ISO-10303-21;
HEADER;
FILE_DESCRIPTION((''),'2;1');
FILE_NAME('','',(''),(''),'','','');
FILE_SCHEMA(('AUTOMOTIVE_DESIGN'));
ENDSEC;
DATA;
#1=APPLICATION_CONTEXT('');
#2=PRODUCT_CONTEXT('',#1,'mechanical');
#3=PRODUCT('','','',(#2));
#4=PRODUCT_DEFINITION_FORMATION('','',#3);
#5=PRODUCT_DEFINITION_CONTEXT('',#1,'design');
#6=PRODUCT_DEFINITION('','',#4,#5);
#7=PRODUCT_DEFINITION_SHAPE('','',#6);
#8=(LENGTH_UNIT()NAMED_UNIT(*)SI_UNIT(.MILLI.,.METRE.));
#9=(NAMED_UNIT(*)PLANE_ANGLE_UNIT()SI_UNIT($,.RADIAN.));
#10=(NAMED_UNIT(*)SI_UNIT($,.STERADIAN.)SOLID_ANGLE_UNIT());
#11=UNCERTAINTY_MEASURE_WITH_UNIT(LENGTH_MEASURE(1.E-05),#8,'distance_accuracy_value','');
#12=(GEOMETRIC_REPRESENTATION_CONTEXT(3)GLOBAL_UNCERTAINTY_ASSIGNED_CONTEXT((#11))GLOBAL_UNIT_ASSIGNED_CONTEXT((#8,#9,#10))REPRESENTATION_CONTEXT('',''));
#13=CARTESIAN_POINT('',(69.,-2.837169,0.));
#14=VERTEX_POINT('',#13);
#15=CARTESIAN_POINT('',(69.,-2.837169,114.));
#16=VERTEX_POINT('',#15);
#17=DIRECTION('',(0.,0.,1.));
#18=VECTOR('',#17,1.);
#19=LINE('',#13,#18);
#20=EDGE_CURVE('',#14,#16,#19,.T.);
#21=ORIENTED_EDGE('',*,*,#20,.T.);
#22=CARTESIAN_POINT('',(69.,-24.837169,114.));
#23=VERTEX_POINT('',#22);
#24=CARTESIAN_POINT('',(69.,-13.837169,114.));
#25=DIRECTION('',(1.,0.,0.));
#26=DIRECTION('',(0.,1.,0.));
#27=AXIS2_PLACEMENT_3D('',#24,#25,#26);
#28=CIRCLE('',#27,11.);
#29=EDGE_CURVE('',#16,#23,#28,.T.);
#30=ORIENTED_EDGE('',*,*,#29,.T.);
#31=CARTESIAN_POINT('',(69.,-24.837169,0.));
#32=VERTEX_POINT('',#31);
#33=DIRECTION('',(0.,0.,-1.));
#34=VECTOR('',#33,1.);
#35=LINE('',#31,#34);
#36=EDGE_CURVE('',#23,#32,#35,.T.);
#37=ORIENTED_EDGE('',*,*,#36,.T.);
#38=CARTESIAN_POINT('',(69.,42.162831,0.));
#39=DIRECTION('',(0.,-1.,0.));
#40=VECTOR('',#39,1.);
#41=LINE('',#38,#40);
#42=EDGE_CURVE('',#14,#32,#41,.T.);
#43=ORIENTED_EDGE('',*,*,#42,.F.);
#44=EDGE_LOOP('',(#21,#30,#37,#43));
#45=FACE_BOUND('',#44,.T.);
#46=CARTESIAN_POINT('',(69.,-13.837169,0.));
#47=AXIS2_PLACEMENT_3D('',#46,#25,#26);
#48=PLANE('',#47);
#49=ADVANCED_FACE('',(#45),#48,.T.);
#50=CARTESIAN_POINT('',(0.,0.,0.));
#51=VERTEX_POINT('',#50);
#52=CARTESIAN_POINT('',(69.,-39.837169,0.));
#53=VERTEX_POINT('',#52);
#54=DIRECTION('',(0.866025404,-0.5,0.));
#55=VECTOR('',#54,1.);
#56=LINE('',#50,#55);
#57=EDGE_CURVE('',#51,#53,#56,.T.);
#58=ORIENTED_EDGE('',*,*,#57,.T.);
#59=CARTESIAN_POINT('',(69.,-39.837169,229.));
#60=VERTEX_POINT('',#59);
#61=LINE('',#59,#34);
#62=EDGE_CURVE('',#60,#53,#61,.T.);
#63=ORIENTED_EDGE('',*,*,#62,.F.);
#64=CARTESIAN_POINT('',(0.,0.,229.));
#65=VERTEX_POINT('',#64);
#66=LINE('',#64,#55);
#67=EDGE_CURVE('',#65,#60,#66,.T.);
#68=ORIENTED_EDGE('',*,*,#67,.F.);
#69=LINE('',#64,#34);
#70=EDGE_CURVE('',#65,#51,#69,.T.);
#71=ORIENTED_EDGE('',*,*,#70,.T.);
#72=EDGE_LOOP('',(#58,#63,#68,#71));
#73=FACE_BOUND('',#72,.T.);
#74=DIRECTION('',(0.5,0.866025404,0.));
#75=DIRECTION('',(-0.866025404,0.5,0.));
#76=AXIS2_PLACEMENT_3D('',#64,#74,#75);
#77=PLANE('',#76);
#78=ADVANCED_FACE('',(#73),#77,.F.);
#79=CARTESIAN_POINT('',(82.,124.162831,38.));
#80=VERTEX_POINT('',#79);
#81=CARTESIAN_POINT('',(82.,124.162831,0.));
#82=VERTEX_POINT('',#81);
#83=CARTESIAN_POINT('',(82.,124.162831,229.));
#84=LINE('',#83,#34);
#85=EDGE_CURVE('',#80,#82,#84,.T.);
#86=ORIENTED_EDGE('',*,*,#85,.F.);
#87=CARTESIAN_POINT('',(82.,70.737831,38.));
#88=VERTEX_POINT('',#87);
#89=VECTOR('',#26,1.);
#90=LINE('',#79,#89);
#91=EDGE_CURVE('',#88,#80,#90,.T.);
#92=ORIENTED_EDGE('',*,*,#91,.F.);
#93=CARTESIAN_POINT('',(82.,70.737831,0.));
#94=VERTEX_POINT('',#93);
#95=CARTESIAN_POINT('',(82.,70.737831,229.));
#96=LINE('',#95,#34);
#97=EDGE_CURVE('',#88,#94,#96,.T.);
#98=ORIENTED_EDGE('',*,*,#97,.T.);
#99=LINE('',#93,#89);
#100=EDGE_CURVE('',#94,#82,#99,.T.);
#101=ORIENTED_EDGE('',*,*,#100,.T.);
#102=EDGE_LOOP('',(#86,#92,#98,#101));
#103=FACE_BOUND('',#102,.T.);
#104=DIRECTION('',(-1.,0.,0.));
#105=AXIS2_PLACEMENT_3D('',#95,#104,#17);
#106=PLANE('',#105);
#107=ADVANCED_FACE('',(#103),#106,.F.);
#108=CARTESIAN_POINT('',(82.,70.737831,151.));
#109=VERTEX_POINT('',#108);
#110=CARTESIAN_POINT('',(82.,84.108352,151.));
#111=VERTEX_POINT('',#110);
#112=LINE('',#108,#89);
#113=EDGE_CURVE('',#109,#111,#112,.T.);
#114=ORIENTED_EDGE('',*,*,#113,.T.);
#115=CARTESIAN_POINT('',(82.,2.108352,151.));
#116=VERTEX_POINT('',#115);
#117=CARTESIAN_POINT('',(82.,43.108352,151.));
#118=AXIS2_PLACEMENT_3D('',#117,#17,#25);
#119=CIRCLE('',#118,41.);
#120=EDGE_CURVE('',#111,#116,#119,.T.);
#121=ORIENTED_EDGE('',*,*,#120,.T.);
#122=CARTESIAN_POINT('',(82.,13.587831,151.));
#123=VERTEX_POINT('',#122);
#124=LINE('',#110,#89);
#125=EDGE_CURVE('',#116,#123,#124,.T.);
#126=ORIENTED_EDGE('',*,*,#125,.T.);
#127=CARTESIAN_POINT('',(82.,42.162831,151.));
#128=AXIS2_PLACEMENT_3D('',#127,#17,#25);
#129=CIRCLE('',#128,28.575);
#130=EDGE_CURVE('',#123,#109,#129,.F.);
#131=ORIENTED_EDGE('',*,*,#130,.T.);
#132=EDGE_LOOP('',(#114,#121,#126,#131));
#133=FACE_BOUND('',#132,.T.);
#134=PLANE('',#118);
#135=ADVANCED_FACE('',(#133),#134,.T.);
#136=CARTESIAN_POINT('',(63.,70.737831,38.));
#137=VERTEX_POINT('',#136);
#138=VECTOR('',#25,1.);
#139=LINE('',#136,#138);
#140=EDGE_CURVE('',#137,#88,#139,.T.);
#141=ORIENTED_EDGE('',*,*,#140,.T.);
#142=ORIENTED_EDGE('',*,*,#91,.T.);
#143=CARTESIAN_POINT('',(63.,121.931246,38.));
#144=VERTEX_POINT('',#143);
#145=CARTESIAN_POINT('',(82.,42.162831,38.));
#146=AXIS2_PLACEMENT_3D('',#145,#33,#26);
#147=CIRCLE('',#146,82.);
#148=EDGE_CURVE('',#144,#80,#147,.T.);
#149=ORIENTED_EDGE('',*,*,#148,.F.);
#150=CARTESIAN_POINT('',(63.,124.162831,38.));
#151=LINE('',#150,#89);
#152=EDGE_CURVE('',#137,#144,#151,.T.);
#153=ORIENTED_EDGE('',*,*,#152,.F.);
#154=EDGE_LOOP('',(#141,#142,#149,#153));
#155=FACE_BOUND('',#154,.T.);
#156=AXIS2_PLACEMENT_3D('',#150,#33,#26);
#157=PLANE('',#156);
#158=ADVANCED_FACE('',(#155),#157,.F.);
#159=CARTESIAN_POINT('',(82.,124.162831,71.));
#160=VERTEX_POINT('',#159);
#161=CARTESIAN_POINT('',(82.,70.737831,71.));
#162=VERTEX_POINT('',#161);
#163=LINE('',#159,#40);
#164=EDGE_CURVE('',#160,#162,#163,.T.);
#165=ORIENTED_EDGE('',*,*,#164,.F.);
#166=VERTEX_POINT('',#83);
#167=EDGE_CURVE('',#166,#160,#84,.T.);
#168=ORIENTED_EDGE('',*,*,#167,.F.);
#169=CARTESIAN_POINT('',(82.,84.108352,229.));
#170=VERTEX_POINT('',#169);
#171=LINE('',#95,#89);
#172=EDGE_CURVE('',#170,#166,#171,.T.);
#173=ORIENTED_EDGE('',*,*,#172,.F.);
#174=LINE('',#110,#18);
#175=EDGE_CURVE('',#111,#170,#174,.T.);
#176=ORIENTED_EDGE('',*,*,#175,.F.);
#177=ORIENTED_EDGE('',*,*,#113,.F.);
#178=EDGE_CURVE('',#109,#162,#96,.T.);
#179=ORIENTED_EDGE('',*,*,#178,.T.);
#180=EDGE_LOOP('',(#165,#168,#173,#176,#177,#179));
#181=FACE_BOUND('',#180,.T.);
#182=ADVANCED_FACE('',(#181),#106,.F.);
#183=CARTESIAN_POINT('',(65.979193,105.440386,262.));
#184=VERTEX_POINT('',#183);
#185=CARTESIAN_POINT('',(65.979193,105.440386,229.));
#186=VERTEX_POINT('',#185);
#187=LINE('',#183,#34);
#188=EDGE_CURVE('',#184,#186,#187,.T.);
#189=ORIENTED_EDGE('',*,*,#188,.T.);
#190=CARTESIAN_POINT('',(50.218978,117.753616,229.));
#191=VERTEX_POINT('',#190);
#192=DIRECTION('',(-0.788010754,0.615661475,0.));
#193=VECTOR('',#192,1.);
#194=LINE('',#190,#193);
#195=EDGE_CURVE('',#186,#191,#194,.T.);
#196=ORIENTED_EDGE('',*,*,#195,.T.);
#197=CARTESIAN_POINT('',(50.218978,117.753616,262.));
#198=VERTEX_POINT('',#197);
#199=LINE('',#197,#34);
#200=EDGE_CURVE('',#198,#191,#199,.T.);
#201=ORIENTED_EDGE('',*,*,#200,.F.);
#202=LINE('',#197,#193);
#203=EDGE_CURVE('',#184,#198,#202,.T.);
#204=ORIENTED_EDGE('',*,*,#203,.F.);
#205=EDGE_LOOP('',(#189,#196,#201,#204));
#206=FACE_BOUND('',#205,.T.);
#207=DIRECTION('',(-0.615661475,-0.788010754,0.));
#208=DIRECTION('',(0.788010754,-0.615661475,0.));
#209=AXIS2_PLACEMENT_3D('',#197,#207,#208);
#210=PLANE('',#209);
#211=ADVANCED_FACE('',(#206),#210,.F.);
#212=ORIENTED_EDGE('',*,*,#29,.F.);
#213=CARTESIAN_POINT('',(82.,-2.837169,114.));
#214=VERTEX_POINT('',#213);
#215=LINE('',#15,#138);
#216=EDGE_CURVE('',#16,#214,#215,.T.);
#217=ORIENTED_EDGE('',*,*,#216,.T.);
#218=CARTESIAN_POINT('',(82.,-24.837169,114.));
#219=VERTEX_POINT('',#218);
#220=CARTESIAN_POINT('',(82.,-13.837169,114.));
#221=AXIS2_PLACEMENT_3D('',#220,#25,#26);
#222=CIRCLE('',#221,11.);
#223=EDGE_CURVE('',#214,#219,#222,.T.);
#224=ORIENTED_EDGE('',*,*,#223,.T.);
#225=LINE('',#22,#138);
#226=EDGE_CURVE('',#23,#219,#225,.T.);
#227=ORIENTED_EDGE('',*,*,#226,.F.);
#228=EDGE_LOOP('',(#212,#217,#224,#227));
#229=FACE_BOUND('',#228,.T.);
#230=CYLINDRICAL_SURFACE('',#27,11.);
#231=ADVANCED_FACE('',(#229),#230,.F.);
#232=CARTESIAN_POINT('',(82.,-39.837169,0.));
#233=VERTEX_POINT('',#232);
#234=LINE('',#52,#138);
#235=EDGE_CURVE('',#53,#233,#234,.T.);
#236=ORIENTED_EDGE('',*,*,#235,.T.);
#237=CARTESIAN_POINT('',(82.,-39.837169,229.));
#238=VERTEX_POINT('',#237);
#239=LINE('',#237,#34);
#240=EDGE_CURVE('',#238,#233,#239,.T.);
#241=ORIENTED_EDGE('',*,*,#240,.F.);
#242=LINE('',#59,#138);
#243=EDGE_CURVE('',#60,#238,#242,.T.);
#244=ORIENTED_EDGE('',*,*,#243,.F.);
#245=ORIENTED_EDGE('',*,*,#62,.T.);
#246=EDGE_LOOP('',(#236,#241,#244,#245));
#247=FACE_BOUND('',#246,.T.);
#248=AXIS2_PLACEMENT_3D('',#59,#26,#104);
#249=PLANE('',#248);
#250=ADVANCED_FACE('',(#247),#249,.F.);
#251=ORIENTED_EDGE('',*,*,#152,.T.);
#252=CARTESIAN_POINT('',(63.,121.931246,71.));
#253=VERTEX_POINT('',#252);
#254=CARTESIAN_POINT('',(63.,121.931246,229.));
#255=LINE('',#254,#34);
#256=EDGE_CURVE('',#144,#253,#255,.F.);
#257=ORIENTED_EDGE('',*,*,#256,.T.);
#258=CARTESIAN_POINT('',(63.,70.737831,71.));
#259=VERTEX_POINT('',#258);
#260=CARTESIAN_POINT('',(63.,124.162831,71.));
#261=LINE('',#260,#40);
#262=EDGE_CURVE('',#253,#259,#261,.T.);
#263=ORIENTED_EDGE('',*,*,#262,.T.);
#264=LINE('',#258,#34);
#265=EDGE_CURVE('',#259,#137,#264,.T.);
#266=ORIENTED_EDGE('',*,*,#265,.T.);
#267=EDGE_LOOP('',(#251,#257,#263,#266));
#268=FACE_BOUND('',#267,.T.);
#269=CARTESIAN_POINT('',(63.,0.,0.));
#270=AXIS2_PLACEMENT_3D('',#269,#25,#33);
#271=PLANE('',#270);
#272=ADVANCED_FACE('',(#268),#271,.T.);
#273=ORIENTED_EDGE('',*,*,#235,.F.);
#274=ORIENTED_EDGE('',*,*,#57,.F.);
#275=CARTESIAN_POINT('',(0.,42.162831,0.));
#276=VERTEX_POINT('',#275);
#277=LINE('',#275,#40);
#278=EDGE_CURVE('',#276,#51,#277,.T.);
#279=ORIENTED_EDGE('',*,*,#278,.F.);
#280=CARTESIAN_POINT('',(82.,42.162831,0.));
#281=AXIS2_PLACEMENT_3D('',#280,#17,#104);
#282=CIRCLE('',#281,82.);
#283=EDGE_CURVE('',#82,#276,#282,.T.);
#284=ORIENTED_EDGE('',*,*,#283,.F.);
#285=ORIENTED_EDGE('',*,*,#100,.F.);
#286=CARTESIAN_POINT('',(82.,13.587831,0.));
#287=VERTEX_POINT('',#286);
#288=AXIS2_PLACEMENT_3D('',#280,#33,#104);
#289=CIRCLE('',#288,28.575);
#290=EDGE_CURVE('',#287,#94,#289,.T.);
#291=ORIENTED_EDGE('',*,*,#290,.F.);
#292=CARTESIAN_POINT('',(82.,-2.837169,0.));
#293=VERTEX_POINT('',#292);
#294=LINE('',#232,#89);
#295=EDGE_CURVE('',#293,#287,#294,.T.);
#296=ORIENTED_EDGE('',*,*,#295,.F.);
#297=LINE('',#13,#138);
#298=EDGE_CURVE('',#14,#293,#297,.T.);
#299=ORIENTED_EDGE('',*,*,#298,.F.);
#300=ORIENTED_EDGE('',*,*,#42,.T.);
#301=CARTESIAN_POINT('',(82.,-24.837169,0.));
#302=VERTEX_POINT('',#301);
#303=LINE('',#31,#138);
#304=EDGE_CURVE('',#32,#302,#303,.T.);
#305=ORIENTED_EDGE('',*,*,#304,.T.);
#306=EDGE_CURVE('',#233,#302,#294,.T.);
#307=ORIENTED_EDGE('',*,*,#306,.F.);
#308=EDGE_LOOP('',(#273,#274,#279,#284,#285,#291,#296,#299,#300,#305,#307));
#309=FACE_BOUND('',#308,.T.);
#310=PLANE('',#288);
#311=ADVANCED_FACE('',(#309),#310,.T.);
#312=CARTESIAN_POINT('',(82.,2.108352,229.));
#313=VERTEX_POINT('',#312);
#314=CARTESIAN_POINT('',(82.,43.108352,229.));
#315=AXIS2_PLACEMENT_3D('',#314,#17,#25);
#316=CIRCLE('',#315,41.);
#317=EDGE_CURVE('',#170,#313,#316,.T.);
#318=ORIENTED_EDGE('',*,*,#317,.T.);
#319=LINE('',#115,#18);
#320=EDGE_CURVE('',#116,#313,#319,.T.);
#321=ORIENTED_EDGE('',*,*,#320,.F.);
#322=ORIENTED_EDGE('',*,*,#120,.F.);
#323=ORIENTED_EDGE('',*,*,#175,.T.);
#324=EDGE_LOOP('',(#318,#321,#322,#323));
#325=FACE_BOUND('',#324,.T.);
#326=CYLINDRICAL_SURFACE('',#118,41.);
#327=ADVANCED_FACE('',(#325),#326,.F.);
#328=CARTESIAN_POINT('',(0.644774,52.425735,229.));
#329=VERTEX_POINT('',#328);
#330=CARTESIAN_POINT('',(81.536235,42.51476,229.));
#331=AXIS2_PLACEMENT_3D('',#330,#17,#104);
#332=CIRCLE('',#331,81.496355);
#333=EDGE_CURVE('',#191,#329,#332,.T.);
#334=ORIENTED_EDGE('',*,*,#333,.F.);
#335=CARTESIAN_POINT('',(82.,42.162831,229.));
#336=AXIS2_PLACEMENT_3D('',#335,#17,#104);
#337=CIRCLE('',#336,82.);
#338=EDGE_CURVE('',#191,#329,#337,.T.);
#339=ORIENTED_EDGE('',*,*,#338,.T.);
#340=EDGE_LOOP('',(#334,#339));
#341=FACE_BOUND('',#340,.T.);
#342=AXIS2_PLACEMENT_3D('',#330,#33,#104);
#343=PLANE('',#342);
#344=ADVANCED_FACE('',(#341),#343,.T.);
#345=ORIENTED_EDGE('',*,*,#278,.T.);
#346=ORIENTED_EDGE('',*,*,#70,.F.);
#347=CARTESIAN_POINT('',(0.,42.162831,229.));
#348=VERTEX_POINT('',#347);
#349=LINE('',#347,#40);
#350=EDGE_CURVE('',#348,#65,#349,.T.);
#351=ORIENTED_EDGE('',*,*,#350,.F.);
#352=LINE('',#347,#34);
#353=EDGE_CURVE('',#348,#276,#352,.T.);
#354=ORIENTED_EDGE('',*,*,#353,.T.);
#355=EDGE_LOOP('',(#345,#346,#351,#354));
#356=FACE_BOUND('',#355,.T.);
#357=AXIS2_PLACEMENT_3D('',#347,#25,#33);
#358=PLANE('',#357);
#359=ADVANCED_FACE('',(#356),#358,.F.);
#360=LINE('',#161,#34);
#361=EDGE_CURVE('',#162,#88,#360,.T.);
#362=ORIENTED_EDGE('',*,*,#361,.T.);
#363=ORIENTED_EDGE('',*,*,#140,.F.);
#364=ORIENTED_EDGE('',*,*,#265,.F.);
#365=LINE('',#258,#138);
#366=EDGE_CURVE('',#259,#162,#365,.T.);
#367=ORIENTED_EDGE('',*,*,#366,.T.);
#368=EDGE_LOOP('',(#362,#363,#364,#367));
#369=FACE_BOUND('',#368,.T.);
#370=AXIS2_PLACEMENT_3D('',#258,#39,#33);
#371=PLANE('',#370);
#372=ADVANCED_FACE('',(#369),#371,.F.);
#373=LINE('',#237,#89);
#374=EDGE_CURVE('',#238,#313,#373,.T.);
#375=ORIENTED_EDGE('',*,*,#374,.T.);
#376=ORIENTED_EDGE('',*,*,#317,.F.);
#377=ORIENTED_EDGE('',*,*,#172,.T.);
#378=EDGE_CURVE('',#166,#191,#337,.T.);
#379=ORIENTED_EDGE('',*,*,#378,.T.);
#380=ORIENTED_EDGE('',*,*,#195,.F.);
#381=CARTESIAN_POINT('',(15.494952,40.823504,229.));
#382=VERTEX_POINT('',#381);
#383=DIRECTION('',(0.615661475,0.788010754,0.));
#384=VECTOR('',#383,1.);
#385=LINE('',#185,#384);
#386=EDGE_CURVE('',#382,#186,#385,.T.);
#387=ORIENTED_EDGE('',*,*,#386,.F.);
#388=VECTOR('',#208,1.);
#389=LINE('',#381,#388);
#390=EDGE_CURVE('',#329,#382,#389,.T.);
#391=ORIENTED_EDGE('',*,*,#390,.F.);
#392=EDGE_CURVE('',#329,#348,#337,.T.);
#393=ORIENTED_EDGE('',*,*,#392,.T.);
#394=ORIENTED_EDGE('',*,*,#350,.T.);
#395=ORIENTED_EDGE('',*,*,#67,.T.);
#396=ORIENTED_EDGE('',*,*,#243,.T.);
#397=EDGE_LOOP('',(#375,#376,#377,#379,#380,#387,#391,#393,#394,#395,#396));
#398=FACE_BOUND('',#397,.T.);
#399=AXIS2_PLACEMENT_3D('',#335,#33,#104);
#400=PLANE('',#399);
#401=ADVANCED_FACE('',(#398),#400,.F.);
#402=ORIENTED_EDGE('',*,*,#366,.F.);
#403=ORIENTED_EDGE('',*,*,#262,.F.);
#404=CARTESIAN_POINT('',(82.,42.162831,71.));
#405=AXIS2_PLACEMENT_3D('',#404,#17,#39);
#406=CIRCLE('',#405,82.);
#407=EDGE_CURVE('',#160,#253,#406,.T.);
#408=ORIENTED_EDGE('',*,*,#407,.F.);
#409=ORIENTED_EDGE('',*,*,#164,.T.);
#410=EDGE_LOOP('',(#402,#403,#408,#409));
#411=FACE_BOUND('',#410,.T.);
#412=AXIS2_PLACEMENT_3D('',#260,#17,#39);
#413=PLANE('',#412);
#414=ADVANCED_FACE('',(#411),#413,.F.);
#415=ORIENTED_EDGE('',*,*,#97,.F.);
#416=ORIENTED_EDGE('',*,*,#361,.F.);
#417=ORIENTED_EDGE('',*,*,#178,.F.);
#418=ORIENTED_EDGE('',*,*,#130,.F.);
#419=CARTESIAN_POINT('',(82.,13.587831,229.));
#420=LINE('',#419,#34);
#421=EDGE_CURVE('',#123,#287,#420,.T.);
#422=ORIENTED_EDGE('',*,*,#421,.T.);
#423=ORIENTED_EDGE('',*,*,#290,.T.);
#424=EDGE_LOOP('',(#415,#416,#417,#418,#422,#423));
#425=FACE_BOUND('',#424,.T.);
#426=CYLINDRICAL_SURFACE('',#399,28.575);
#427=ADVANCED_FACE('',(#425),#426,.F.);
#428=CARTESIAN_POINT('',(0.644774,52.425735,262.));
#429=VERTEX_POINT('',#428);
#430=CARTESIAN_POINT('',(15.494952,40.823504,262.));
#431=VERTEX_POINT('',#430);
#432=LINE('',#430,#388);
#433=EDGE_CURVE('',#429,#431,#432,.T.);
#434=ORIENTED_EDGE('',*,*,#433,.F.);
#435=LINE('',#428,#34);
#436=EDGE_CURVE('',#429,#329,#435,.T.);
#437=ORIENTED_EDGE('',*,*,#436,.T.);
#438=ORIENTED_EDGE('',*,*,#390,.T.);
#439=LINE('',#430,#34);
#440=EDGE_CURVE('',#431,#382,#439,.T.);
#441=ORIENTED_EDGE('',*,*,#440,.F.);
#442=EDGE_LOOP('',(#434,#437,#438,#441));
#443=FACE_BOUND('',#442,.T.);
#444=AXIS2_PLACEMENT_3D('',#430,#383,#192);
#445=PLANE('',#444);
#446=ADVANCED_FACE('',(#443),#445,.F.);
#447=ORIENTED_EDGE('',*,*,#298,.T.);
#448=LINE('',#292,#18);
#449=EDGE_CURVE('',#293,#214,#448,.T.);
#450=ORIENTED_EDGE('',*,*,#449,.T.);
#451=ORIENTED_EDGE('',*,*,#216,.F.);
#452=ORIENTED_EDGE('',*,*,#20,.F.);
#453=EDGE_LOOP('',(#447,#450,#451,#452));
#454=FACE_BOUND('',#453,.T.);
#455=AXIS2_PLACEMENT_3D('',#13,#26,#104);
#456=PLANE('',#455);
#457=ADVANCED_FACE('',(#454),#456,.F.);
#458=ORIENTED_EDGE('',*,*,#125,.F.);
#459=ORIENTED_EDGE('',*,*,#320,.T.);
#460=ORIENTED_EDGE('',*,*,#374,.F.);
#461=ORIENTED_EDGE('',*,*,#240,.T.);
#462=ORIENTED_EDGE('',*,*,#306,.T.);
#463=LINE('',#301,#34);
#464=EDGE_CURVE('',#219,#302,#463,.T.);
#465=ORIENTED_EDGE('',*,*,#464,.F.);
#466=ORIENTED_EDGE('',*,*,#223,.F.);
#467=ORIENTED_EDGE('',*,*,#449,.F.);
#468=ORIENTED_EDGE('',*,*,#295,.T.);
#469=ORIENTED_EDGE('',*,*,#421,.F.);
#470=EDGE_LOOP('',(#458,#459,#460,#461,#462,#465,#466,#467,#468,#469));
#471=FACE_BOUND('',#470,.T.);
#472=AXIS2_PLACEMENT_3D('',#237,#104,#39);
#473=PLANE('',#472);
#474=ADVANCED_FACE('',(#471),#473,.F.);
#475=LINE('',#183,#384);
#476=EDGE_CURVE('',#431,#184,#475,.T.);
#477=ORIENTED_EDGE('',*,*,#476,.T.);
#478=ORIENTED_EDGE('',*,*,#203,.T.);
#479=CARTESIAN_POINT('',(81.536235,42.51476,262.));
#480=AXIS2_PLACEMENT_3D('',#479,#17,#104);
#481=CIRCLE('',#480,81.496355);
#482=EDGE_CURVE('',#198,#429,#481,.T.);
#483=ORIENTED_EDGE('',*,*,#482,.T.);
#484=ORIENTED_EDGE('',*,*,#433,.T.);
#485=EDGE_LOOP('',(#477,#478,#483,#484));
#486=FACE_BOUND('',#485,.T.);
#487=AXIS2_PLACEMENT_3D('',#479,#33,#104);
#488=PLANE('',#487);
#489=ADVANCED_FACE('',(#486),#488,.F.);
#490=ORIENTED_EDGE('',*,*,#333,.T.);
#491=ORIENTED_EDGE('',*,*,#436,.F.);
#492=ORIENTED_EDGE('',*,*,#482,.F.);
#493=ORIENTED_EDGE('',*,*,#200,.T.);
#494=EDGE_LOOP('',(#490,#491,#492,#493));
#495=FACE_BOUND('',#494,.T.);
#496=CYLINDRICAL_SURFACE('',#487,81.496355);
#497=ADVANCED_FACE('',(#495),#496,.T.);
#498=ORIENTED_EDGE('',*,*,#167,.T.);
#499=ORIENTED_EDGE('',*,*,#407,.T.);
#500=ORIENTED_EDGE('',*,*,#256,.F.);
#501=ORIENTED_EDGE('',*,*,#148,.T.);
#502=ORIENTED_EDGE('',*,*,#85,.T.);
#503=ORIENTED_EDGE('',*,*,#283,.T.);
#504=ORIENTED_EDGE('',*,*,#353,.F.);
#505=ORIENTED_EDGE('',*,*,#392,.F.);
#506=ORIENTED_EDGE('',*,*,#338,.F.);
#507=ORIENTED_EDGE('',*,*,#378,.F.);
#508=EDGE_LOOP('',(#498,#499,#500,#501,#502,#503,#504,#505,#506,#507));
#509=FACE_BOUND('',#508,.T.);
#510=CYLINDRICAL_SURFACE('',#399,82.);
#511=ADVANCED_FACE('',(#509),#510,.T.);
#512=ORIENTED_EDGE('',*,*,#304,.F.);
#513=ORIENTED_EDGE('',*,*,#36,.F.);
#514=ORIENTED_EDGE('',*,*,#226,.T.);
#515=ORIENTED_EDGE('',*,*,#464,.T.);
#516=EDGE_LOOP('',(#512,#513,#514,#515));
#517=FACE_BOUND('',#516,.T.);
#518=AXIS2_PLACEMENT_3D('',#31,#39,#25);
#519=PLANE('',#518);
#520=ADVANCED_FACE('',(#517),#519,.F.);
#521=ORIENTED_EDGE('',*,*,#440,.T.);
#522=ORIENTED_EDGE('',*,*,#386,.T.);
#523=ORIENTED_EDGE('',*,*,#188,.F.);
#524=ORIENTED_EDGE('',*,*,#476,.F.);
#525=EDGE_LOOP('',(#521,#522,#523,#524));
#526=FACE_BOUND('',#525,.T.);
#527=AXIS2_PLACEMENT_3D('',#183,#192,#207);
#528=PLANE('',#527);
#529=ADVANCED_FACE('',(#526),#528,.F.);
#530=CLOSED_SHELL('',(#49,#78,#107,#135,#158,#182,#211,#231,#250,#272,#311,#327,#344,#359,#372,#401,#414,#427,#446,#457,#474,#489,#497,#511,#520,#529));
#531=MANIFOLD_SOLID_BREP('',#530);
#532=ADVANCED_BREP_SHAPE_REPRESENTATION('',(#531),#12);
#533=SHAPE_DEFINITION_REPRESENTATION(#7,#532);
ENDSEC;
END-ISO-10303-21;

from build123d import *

# Parameters (mm, degrees)
BOSS_EXTRUDE1_DEPTH = 229
BOSS_EXTRUDE3_DEPTH = 33
CUT_EXTRUDE1_DEPTH  = 78
SKETCH4_W           = 33
SKETCH4_H           = 53.425
CUT_EXTRUDE2_DEPTH  = 19
CUT_EXTRUDE3_DEPTH  = 13


with BuildPart() as part:
    # Sketch1 → Boss-Extrude1 (new body)
    with BuildSketch(Plane.XY):
        with BuildLine():
            Line((0, 42.162831426), (0, 0))
            Line((0, 0), (69, -39.837168574))
            Line((69, -39.837168574), (82, -39.837168574))
            Line((82, -39.837168574), (82, 13.587831426))
            ThreePointArc((82, 13.587831426), (53.425, 42.162831426), (82, 70.737831426))
            Line((82, 70.737831426), (82, 124.162831426))
            ThreePointArc((82, 124.162831426), (24.017243943, 100.145587483), (0, 42.162831426))
        make_face()
    extrude(amount=BOSS_EXTRUDE1_DEPTH)

    # Sketch2 → Boss-Extrude3 (add)
    with BuildSketch(Plane.XY.offset(229)):
        with BuildLine():
            Line((50.218978157, 117.75361559), (65.979193229, 105.440386084))
            Line((65.979193229, 105.440386084), (15.494952252, 40.823504288))
            Line((15.494952252, 40.823504288), (0.644773941, 52.425735154))
            ThreePointArc((0.644773941, 52.425735154), (16.616037222, 91.779593848), (50.218978157, 117.75361559))
        make_face()
    extrude(amount=BOSS_EXTRUDE3_DEPTH)

    # Sketch3 → Cut-Extrude1 (cut)
    with BuildSketch(Plane.XY.offset(229)):
        with BuildLine():
            Line((82, 84.108352132), (82, 2.108352132))
            ThreePointArc((82, 2.108352132), (41, 43.108352132), (82, 84.108352132))
        make_face()
    extrude(amount=-CUT_EXTRUDE1_DEPTH, mode=Mode.SUBTRACT)

    # Sketch4 → Cut-Extrude2 (cut)
    with BuildSketch(Plane(origin=(82, 0, 0), x_dir=(0, 0, -1), z_dir=(1, 0, 0))):
        with Locations((-54.5, 97.450331426)):
            Rectangle(SKETCH4_W, SKETCH4_H)
    extrude(amount=-CUT_EXTRUDE2_DEPTH, mode=Mode.SUBTRACT)

    # Sketch5 → Cut-Extrude3 (cut)
    with BuildSketch(Plane(origin=(82, 0, 0), x_dir=(0, 0, -1), z_dir=(1, 0, 0))):
        with BuildLine():
            Line((0, -24.837168574), (-114, -24.837168574))
            ThreePointArc((-114, -24.837168574), (-125, -13.837168574), (-114, -2.837168574))
            Line((-114, -2.837168574), (0, -2.837168574))
            ThreePointArc((0, -2.837168574), (11, -13.837168574), (0, -24.837168574))
        make_face()
    extrude(amount=-CUT_EXTRUDE3_DEPTH, mode=Mode.SUBTRACT)


solid = part.part
